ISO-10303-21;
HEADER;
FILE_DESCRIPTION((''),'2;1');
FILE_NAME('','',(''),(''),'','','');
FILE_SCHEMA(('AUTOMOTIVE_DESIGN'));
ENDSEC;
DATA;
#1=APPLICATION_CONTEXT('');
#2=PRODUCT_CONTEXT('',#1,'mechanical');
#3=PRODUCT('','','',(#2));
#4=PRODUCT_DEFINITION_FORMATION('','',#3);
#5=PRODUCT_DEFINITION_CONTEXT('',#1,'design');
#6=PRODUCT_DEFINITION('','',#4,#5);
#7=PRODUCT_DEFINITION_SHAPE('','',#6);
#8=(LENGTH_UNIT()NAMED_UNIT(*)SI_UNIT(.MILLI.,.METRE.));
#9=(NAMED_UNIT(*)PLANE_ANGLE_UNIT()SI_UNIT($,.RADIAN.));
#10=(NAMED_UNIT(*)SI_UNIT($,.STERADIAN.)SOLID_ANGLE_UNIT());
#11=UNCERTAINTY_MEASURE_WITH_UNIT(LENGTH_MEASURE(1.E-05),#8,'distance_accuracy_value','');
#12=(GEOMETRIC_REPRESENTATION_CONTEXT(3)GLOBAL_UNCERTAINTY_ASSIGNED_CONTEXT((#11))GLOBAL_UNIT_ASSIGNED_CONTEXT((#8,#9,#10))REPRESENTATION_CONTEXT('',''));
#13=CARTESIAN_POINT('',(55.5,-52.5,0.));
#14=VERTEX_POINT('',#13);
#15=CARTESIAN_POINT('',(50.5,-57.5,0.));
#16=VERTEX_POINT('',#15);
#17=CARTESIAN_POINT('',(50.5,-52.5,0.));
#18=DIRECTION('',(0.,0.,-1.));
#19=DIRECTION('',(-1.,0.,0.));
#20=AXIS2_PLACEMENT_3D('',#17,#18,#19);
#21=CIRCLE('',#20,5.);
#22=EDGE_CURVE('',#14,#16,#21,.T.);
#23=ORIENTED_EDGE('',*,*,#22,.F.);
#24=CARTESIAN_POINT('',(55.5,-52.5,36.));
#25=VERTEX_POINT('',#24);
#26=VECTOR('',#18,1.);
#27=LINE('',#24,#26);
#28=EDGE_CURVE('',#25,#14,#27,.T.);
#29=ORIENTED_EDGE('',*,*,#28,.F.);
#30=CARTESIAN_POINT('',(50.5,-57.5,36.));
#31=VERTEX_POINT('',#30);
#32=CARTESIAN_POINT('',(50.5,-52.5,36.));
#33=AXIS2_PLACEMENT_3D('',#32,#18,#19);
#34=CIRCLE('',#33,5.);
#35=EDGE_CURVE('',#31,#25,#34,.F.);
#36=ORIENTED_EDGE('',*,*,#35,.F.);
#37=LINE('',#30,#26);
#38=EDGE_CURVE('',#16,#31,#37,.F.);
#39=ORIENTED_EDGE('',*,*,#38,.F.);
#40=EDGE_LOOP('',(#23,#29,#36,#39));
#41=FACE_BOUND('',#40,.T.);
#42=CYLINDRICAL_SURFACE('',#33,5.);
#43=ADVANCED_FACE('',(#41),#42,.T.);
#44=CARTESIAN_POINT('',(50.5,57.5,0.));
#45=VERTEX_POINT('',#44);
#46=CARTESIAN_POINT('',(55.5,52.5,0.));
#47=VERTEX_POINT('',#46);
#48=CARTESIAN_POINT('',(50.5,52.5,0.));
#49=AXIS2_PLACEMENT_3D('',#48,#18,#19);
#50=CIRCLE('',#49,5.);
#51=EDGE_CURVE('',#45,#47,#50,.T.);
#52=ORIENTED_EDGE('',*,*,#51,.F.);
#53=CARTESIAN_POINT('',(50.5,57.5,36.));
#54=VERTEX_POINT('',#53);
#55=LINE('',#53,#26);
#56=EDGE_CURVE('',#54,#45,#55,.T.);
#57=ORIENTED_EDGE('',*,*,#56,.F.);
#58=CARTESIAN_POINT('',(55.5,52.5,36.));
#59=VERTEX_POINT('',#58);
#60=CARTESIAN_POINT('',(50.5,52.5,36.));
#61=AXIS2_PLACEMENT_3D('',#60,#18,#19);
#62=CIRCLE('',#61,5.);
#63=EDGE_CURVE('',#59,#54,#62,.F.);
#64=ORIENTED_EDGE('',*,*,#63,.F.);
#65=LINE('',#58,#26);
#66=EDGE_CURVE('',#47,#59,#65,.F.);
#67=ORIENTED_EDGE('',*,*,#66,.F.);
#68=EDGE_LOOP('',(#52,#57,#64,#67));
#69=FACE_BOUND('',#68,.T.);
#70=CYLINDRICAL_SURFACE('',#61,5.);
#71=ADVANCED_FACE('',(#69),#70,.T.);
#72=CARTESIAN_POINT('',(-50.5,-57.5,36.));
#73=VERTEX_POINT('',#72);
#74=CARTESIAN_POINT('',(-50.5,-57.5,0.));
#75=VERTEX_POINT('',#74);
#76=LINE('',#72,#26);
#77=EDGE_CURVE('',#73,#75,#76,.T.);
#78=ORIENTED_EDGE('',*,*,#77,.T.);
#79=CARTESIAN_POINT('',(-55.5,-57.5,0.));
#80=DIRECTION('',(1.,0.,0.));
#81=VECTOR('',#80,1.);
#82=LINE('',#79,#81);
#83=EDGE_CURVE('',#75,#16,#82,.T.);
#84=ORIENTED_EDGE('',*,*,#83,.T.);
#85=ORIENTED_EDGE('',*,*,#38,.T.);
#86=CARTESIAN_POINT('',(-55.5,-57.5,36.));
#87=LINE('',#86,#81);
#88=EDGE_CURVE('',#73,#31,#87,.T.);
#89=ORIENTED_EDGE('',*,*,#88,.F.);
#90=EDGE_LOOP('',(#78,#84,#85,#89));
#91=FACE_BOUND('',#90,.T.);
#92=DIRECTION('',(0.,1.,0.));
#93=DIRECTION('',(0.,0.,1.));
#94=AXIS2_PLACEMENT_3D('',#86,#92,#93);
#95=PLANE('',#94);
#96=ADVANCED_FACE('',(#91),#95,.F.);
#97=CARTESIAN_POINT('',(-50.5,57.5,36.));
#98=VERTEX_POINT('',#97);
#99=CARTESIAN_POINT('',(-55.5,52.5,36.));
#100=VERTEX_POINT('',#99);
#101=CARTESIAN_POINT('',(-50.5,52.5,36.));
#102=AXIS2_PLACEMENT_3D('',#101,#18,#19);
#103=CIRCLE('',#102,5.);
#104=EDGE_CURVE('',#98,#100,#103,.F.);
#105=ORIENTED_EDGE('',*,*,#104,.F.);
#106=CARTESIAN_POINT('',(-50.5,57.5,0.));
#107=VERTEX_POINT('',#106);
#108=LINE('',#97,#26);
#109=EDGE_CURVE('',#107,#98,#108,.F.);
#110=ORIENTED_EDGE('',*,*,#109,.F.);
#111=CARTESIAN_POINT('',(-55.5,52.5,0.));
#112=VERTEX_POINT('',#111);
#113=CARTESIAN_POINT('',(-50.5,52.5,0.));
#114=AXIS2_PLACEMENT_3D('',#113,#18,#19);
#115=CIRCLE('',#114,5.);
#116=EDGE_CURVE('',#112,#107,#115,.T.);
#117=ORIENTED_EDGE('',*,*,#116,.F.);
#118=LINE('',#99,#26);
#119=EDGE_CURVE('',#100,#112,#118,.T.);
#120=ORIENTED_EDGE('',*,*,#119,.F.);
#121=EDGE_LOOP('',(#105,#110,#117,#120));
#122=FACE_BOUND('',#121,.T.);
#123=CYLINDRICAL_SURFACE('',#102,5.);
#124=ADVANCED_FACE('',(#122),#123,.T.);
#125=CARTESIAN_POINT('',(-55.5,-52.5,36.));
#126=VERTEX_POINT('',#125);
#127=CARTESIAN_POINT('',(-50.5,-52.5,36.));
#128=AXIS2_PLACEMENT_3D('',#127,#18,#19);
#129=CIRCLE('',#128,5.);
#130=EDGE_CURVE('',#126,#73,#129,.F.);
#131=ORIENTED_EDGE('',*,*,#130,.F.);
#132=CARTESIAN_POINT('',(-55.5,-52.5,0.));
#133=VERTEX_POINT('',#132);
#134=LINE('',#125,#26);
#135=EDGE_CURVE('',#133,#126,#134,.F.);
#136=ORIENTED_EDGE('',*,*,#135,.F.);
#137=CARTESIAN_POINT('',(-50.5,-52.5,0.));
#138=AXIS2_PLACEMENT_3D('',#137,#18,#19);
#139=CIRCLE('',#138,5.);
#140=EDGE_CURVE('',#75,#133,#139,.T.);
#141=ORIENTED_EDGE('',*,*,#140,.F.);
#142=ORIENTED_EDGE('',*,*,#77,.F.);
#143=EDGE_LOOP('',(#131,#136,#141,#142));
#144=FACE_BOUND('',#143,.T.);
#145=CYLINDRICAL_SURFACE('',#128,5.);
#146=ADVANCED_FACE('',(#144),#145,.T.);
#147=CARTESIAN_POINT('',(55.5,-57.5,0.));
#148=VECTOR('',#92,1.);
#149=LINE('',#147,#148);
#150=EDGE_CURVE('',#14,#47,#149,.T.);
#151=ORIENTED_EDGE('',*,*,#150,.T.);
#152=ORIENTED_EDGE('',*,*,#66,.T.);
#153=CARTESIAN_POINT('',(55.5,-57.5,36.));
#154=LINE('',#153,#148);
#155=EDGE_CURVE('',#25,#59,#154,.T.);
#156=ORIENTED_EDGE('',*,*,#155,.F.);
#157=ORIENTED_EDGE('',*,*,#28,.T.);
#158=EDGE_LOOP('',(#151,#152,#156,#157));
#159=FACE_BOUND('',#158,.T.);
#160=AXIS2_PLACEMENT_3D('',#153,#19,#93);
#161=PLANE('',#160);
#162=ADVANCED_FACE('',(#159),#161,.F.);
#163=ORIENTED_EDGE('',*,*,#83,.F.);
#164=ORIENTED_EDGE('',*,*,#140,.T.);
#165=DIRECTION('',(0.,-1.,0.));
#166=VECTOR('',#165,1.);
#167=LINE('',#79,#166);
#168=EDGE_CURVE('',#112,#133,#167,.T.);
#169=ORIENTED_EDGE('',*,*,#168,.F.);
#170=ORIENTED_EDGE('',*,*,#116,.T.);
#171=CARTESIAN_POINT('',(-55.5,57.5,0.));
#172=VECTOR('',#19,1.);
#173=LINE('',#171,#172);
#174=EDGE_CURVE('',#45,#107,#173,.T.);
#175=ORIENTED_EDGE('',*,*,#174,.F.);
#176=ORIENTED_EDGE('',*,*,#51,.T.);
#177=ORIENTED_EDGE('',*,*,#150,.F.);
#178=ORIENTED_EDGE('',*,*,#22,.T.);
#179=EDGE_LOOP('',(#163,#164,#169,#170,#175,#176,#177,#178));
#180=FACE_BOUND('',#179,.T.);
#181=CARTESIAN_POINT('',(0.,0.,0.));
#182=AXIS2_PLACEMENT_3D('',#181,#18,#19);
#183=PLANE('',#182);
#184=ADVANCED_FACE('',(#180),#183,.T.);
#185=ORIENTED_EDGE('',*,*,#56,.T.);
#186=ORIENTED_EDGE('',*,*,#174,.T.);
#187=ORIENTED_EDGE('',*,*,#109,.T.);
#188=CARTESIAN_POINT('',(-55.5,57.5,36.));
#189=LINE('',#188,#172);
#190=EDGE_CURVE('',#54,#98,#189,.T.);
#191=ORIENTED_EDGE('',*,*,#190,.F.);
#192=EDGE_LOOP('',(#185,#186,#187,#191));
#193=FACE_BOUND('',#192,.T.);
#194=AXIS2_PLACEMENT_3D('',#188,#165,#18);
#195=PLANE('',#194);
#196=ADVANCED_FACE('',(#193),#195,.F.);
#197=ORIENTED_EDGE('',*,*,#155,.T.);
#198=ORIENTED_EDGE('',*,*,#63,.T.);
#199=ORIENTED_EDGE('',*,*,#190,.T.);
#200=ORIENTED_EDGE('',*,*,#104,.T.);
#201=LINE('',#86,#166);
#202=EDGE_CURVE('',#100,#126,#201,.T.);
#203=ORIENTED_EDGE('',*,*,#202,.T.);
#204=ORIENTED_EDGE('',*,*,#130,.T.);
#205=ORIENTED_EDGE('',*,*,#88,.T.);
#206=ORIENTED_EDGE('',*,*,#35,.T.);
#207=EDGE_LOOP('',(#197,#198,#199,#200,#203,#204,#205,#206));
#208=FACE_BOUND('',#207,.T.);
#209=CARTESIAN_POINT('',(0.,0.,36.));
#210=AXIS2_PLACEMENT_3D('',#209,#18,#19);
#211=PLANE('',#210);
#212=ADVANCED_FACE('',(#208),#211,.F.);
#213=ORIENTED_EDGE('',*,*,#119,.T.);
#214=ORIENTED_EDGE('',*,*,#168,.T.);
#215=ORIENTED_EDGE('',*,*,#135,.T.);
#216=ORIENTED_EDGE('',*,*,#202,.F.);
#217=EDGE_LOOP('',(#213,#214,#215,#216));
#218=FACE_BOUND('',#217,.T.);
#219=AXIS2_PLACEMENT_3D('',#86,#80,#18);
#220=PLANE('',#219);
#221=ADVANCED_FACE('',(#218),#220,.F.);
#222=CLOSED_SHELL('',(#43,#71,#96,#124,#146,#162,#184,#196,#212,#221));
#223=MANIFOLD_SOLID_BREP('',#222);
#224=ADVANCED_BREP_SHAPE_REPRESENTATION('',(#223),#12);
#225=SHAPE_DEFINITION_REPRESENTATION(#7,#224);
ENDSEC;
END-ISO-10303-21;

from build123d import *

# Parameters (mm, degrees)
SKETCH_1_W      = 111
SKETCH_1_H      = 115
EXTRUDE_1_DEPTH = 36
FILLET_1_R      = 5


with BuildPart() as part:
    # ｽｹｯﾁ1 → ﾎﾞｽ - 押し出し1 (new body)
    with BuildSketch(Plane.XY):
        Rectangle(SKETCH_1_W, SKETCH_1_H)
    extrude(amount=EXTRUDE_1_DEPTH)

    # ﾌｨﾚｯﾄ1
    fillet_1_edges = [part.edges().sort_by_distance(p)[0] for p in [
        (55.5, -57.5, 18),
        (-55.5, -57.5, 18),
        (-55.5, 57.5, 18),
        (55.5, 57.5, 18),
    ]]
    fillet(fillet_1_edges, radius=FILLET_1_R)


solid = part.part
